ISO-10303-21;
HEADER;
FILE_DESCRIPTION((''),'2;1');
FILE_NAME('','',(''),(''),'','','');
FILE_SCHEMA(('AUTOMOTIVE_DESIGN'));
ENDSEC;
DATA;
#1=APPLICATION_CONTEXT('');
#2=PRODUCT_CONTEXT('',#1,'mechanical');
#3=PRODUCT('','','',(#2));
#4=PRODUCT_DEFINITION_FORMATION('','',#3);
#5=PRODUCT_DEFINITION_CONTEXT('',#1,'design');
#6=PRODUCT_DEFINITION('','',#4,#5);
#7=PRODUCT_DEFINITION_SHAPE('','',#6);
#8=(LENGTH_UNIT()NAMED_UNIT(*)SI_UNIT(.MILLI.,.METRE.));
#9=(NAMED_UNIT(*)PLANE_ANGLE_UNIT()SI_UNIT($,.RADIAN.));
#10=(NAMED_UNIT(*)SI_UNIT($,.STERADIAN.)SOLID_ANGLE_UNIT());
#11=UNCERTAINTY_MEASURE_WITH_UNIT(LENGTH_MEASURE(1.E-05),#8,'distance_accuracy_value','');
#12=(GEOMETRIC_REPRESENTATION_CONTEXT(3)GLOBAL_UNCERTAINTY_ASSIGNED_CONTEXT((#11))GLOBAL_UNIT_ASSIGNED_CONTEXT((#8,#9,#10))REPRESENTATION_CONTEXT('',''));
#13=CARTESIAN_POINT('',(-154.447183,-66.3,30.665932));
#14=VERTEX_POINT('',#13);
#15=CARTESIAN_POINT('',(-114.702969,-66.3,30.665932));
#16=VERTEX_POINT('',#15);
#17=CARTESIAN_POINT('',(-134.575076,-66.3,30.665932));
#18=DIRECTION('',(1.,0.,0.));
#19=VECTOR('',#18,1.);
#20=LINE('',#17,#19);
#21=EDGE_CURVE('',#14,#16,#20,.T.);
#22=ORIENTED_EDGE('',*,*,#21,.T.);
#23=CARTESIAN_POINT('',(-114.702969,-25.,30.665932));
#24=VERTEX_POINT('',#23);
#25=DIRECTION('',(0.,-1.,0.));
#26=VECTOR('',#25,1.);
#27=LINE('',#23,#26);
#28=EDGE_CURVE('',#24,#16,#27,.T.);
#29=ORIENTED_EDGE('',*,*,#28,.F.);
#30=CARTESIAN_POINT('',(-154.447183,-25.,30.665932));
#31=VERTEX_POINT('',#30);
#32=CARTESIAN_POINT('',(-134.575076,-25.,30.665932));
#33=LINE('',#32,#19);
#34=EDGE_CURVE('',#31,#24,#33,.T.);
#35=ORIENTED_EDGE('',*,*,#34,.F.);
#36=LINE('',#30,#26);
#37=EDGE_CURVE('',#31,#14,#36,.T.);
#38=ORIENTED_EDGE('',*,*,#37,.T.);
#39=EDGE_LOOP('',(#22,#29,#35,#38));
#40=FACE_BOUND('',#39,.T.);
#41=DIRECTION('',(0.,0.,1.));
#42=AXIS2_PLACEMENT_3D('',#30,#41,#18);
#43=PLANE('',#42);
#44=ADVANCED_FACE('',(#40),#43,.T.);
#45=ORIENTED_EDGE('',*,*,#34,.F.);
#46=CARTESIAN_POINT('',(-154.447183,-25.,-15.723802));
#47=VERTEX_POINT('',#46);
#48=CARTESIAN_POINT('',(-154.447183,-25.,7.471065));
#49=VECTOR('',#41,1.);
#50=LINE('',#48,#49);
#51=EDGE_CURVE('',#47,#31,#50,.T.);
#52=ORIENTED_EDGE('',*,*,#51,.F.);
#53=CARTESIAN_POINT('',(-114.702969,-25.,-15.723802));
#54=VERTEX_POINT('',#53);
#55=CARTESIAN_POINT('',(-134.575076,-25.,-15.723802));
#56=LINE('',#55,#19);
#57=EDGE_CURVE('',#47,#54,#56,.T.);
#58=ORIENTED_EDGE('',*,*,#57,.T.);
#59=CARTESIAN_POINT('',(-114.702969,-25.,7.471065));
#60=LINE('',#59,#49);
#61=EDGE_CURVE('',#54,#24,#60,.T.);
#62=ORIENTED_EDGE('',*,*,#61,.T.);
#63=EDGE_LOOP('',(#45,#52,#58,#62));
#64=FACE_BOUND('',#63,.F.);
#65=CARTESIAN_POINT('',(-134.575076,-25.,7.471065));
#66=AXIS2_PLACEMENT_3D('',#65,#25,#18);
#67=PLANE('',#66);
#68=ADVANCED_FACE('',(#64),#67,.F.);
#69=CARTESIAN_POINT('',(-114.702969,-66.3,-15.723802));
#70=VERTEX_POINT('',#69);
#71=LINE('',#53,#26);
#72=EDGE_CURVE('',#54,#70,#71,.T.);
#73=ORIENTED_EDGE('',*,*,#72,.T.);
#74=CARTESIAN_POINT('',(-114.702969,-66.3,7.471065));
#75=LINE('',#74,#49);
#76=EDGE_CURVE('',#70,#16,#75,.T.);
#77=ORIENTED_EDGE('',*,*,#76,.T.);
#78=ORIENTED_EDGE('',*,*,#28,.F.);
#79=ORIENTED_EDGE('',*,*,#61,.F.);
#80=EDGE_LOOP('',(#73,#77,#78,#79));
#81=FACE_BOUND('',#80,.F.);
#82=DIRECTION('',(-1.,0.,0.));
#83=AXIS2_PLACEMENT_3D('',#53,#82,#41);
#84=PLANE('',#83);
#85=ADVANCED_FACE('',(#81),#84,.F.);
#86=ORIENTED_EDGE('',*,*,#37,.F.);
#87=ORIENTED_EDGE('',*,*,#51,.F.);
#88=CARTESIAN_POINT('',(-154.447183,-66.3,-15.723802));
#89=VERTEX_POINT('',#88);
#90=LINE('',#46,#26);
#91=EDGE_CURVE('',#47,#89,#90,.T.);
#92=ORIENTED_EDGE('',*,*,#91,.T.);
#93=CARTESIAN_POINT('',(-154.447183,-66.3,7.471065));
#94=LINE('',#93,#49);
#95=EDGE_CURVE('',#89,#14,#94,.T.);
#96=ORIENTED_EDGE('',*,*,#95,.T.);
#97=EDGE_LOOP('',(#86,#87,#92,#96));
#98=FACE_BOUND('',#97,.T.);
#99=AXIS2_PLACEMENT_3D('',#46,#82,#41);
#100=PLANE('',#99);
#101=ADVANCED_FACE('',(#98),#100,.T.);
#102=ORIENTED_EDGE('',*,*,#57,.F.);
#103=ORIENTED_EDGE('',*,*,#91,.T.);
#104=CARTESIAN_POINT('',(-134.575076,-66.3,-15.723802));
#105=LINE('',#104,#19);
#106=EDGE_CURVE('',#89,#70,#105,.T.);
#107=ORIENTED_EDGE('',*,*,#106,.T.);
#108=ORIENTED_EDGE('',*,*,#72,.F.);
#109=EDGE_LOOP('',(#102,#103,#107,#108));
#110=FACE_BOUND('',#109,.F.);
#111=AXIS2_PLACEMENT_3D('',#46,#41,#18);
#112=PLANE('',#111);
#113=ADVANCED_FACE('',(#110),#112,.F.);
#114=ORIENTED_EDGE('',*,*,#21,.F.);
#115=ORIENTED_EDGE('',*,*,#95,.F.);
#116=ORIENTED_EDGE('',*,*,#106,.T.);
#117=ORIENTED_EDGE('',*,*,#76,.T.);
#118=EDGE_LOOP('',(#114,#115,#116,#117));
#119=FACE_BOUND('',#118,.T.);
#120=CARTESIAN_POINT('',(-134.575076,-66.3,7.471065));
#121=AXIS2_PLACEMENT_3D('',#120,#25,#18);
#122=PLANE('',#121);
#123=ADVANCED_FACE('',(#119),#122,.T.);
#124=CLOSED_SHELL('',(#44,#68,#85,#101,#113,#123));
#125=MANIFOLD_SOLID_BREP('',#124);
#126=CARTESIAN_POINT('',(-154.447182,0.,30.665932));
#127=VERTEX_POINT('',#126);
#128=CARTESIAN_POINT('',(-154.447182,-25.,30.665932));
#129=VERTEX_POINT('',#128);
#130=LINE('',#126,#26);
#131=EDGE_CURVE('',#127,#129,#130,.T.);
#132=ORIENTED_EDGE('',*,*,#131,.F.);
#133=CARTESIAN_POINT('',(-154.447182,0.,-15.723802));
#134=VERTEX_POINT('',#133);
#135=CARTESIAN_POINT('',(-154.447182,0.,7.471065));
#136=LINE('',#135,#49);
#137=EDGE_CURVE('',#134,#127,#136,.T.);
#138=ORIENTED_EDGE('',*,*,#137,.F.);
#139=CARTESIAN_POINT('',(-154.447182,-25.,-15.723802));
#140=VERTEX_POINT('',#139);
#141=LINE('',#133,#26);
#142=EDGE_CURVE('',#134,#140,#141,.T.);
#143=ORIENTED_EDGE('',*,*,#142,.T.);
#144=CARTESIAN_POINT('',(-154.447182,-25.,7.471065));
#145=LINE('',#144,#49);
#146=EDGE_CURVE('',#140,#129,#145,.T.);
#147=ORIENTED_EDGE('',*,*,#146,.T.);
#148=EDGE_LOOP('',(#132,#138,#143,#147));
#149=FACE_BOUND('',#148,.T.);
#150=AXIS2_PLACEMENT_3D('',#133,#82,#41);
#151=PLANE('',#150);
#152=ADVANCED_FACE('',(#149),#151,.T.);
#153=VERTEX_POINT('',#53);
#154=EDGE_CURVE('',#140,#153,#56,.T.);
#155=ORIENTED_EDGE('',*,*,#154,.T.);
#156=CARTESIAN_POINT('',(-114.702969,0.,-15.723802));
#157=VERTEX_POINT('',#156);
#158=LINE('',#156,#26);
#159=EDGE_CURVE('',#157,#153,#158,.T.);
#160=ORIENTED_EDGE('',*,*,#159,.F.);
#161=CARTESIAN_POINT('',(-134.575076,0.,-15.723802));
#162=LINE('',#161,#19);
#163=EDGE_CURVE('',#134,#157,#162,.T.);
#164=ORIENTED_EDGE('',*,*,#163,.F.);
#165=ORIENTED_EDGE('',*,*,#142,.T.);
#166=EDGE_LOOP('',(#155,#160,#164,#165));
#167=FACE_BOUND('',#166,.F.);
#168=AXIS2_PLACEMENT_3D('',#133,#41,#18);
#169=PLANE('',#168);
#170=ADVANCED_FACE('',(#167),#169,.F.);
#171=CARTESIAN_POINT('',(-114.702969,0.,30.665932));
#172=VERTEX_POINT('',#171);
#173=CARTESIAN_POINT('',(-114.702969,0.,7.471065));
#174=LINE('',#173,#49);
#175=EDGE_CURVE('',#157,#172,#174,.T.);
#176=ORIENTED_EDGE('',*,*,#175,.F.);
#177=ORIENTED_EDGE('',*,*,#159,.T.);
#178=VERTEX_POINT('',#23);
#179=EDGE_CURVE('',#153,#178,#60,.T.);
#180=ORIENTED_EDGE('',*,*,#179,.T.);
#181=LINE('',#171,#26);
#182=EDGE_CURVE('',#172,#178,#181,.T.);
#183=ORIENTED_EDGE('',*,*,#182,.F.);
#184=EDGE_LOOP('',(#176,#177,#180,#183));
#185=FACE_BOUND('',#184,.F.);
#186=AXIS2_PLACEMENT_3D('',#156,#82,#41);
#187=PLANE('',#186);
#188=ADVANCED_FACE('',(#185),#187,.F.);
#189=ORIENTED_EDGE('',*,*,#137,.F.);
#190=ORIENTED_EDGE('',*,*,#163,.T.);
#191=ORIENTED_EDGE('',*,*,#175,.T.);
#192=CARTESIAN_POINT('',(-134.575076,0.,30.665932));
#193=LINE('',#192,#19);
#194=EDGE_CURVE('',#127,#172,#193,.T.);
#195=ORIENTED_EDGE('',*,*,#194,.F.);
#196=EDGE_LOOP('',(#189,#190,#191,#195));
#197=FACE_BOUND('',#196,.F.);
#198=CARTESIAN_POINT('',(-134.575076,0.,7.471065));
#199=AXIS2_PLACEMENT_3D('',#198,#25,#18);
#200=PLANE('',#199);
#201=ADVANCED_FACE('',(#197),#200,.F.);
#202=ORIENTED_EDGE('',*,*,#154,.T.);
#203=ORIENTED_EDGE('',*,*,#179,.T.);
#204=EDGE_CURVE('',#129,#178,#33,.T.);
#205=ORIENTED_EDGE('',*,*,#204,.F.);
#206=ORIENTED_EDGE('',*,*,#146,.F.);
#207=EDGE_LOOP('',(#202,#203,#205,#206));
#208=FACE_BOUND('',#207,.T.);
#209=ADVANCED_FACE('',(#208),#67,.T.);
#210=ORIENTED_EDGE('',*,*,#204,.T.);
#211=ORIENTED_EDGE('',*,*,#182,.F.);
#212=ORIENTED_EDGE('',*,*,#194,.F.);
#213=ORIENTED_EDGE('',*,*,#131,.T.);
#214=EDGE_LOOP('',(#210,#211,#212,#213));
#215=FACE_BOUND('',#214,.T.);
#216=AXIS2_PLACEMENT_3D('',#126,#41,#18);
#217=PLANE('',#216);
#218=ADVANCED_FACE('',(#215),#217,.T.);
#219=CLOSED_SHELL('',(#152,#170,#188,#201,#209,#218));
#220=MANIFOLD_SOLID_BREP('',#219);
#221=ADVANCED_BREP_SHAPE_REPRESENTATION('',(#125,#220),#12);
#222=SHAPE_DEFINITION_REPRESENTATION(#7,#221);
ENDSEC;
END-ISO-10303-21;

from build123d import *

# Parameters (mm, degrees)
F0_W      = 39.744213
F0_H      = 46.389734
F1_DEPTH  = 25
F1_FACE_W = 39.744214
F1_FACE_H = 46.389734
F2_DEPTH  = 41.3


with BuildPart() as f1:
    # F0 (on Front) → F1 (new body)
    with BuildSketch(Plane.XZ):
        with Locations((-134.575076, 7.471065)):
            Rectangle(F0_W, F0_H)
    extrude(amount=F1_DEPTH)


with BuildPart() as f2:
    # F1_face (on face) → F2 (new body)
    with BuildSketch(Plane(origin=(-134.575076, -25, 7.471065), x_dir=(1, 0, 0), z_dir=(0, -1, 0))):
        Rectangle(F1_FACE_W, F1_FACE_H)
    extrude(amount=F2_DEPTH)


solid = Compound([f1.part, f2.part])
